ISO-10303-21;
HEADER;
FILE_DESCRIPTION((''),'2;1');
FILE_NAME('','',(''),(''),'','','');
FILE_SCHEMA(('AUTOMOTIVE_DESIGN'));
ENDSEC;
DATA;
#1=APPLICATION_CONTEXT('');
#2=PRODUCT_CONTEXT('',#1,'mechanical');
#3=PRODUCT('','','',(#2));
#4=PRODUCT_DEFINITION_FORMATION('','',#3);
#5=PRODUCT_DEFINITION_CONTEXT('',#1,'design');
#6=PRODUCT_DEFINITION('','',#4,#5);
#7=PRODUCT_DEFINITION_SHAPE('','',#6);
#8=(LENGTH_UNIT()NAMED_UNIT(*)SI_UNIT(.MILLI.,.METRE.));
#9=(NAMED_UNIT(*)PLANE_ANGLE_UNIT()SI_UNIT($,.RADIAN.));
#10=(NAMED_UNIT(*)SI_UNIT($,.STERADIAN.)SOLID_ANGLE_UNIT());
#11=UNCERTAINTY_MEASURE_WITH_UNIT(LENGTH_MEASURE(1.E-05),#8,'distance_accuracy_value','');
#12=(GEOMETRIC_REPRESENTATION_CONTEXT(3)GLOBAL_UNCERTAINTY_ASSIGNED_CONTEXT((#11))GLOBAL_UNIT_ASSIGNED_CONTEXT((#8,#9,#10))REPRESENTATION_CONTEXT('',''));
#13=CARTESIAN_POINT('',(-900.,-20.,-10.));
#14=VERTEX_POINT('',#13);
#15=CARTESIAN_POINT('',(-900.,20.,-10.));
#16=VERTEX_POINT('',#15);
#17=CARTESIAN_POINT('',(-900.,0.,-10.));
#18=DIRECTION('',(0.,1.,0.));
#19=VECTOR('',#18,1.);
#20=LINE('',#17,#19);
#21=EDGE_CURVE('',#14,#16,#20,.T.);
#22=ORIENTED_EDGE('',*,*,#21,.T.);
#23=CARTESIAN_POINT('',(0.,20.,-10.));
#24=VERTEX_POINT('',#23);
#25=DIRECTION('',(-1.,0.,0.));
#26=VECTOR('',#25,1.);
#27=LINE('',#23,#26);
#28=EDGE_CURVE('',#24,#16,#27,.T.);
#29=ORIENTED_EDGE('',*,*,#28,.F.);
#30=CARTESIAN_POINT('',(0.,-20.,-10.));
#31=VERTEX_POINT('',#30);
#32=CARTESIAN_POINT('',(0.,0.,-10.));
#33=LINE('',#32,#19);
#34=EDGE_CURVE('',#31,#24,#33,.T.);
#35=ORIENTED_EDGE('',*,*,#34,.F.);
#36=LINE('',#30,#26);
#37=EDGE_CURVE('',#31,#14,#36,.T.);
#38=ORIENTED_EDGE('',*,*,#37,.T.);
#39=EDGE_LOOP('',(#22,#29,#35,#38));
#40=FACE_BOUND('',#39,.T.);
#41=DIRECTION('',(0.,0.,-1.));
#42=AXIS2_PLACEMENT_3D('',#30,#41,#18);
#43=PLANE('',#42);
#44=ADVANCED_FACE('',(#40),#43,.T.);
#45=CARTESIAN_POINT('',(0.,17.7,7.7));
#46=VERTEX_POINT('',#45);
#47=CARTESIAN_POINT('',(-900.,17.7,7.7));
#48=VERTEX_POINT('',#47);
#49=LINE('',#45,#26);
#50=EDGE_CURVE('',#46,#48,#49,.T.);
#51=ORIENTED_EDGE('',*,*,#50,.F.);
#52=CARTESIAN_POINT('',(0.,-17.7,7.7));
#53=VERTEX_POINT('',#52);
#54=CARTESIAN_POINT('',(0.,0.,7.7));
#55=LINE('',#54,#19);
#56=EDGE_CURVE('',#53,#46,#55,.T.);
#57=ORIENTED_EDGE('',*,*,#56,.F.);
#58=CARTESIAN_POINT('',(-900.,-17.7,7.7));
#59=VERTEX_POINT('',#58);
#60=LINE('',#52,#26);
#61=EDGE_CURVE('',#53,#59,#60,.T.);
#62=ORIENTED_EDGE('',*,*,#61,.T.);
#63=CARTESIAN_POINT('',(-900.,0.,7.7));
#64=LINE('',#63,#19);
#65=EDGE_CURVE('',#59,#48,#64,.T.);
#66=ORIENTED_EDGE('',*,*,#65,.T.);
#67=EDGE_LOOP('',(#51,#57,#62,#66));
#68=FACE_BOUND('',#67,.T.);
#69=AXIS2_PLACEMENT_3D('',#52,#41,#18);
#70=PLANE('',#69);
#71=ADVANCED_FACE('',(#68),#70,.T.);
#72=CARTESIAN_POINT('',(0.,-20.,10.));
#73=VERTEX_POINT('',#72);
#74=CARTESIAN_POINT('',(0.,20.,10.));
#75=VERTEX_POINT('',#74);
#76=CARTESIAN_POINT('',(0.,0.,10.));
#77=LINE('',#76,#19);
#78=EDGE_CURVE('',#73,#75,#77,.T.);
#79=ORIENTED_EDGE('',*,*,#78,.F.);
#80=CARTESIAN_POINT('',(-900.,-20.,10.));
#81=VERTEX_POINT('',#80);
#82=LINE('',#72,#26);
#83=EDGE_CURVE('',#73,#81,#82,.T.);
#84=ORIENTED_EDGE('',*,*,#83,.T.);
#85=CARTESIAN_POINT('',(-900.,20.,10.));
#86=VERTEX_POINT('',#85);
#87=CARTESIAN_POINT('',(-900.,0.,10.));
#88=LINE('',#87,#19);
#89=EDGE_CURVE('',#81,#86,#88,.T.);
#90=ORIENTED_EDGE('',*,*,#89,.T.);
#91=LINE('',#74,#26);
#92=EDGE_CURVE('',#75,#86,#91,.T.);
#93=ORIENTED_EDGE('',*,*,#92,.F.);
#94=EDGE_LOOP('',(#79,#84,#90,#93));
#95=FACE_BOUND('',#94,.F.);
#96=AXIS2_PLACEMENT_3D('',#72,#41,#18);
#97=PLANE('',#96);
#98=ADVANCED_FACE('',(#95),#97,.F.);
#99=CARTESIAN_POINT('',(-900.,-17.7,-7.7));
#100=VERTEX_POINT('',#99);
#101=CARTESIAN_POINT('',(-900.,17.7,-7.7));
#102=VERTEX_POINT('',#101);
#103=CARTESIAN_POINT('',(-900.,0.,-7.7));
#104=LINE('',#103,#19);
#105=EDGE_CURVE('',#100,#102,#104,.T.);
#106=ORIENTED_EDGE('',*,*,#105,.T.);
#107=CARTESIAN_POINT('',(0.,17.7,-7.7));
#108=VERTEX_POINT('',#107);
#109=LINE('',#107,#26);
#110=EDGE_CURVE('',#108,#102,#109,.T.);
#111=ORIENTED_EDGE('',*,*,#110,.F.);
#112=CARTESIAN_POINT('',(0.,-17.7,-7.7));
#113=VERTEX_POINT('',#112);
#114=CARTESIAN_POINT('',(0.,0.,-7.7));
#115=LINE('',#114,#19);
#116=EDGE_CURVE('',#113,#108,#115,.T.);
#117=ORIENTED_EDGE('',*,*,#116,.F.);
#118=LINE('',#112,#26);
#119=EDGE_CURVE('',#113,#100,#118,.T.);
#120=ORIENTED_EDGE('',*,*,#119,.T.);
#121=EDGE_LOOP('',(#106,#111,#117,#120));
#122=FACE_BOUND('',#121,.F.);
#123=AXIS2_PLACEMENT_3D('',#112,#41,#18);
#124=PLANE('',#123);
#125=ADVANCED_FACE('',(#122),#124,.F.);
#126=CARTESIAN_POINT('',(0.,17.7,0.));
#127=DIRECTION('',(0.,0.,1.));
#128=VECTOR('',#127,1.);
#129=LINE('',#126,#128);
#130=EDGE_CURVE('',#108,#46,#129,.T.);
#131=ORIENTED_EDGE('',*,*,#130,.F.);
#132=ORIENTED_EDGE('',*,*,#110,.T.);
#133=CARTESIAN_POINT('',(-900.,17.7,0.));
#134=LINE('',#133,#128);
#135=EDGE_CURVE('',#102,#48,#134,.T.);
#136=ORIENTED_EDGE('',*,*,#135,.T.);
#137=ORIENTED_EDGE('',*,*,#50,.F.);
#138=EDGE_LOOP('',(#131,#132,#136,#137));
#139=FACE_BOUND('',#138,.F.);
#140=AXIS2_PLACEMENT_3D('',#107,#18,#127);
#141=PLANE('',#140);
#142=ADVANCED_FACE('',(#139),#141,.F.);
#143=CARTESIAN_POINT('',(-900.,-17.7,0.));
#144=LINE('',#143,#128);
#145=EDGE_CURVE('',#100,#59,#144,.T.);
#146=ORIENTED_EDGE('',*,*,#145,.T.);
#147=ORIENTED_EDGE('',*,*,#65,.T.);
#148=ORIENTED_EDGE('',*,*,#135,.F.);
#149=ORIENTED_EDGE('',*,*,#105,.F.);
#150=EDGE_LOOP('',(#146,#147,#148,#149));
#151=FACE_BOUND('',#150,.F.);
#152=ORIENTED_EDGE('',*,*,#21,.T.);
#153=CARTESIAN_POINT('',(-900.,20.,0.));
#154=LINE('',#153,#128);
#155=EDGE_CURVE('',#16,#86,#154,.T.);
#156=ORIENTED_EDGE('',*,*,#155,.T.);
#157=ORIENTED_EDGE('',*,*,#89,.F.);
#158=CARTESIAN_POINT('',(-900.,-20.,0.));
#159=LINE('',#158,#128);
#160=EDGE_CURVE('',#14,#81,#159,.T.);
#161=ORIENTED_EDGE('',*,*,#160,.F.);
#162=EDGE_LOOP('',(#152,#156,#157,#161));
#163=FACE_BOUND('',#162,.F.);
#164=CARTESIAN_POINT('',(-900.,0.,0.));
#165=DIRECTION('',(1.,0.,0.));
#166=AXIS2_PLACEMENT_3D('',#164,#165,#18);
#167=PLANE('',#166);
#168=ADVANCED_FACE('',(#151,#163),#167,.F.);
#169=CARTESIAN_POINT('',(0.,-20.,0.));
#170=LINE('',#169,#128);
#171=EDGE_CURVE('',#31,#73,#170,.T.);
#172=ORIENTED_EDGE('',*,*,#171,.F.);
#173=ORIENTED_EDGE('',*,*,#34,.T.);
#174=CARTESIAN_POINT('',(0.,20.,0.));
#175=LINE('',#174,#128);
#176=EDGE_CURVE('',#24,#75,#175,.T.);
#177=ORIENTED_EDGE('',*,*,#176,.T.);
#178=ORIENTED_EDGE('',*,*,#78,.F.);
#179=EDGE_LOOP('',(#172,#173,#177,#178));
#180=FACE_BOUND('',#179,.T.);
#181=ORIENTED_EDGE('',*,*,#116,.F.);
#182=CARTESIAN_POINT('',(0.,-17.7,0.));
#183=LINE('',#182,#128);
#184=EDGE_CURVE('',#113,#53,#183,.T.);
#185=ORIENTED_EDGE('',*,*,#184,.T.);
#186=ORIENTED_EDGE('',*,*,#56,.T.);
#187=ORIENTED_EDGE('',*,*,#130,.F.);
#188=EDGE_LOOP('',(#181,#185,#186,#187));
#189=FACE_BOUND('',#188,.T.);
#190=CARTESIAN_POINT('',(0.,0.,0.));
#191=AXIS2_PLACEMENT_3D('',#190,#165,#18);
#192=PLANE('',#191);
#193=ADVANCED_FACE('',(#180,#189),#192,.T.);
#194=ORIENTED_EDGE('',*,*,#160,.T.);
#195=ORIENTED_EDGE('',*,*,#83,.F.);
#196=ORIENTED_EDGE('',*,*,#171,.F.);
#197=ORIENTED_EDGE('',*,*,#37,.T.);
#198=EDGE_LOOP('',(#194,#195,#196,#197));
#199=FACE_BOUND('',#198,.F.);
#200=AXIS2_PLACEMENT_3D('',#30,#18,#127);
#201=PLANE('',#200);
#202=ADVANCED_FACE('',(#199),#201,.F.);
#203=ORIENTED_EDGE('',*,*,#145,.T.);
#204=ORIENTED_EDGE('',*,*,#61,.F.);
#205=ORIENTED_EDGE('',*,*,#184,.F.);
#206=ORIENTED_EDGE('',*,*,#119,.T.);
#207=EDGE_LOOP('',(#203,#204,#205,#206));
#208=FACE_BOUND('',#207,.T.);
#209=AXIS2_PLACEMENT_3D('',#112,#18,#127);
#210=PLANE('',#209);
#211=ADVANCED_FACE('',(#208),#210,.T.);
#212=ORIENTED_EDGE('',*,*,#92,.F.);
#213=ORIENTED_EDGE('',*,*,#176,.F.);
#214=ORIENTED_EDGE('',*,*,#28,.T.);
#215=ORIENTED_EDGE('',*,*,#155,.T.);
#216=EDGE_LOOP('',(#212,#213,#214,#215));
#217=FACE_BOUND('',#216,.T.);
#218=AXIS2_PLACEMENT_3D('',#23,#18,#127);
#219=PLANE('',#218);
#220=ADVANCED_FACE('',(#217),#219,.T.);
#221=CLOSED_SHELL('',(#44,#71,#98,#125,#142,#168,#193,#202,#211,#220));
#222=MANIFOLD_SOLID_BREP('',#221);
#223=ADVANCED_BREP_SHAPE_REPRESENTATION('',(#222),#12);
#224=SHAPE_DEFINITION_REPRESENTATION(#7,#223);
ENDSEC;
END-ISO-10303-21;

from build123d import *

# Parameters (mm, degrees)
F0_W     = 40
F0_H     = 20
F0_W_2   = 35.4
F0_H_2   = 15.4
F1_DEPTH = 900


with BuildPart() as f1:
    # F0 (on Right) → F1 (new body)
    with BuildSketch(Plane.YZ):
        Rectangle(F0_W, F0_H)
        Rectangle(F0_W_2, F0_H_2, mode=Mode.SUBTRACT)
    extrude(amount=-F1_DEPTH)


solid = f1.part
